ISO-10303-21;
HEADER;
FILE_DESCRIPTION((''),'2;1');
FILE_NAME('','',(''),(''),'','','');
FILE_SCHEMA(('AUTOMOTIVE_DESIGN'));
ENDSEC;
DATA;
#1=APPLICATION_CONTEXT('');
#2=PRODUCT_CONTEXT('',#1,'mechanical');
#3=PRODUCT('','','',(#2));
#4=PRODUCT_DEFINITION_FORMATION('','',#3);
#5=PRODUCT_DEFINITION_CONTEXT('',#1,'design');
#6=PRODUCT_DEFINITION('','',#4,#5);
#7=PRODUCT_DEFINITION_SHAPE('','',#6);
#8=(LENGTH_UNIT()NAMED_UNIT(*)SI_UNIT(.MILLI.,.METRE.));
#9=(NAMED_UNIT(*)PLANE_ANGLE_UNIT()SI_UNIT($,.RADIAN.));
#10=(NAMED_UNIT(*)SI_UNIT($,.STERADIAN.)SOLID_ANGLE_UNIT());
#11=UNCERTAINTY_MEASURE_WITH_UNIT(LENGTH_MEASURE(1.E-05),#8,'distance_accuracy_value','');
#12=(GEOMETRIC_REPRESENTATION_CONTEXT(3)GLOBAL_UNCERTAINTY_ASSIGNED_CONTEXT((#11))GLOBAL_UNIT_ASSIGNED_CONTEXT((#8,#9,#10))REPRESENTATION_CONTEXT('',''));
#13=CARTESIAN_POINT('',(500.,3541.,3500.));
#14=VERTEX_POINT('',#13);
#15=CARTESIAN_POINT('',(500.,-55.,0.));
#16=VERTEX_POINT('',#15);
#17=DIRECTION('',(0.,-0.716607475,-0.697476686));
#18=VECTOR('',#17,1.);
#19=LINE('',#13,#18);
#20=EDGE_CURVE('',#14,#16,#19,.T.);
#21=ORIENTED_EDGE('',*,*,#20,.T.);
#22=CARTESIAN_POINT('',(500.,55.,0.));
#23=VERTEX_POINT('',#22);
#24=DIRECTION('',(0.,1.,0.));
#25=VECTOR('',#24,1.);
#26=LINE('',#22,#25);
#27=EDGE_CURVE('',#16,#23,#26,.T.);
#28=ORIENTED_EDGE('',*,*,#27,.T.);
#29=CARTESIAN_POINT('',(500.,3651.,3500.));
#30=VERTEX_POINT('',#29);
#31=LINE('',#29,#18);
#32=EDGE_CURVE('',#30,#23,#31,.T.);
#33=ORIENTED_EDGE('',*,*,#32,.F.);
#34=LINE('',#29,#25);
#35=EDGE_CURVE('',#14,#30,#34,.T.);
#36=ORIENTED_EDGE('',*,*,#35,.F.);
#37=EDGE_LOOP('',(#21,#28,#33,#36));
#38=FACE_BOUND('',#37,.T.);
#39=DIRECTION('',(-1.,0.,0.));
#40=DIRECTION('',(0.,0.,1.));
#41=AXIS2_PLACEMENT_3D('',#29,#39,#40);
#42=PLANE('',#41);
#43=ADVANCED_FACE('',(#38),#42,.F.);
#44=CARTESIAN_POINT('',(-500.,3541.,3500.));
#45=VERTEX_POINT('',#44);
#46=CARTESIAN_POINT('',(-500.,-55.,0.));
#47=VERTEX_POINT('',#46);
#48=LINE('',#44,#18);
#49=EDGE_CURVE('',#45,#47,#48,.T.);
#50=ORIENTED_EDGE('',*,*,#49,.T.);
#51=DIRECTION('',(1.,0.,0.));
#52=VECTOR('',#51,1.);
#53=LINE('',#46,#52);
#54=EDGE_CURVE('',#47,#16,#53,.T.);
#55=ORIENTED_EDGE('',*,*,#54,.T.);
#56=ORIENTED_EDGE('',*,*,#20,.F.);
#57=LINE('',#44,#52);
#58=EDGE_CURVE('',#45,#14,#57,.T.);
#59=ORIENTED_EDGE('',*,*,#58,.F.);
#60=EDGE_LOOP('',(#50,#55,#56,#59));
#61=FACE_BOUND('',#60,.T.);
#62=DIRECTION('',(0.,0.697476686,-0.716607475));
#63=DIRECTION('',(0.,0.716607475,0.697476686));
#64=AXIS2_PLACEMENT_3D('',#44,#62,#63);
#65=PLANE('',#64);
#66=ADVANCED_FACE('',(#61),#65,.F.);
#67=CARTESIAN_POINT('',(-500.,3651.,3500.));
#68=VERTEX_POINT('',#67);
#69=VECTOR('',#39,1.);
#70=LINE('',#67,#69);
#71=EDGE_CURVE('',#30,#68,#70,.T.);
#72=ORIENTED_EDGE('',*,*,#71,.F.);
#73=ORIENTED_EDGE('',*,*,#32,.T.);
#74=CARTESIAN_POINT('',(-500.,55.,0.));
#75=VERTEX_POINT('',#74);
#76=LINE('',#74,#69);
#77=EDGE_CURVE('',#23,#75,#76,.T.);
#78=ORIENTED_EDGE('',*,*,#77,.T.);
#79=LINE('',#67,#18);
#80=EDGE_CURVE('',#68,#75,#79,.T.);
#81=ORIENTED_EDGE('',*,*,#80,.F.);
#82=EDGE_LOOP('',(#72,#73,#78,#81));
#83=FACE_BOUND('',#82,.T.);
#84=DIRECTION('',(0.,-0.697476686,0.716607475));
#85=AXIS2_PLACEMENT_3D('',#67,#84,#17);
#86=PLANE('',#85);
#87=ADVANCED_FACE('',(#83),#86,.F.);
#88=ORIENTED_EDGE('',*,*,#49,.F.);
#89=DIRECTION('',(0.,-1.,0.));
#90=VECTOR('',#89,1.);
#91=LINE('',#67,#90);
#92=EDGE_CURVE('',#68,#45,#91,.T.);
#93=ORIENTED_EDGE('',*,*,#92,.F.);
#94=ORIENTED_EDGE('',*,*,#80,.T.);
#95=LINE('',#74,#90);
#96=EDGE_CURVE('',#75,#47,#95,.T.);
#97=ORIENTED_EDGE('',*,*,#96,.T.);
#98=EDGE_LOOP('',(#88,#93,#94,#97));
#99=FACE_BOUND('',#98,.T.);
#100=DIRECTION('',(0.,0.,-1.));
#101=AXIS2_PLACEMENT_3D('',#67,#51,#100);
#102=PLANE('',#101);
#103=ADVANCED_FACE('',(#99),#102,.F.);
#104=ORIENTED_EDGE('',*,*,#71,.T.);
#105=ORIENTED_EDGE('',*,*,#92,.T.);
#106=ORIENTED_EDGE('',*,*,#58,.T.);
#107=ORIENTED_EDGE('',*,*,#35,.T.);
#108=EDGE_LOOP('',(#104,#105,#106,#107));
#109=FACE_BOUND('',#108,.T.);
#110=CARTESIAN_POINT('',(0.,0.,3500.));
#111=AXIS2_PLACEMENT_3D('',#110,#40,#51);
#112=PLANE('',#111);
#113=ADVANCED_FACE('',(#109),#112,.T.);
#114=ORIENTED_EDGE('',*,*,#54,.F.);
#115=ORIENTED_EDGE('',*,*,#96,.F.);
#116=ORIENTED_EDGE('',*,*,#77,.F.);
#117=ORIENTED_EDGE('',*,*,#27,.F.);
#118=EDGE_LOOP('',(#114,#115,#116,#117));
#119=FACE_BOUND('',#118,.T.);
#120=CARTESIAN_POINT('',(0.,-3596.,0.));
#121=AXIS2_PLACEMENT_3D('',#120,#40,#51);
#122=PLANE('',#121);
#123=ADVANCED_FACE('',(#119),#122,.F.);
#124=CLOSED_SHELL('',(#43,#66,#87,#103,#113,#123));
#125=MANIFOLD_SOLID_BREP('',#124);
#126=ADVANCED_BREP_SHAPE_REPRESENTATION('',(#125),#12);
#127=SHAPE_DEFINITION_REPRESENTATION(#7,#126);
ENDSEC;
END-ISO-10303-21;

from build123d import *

# Parameters (mm, degrees)
SKETCH9_W = 1000
SKETCH9_H = 110


with BuildPart() as part:
    # Sweep3: sweep along a path in Sketch7
    with BuildLine(Plane(origin=(0, 0, 0), x_dir=(0, 0, -1), z_dir=(1, 0, 0))) as sweep3_path:
        Line((-3500, 3541), (0, -55))
    # Sketch9 → Sweep3 (sweep)
    with BuildSketch(Plane.XY.offset(3500)):
        with Locations((0, 3596)):
            Rectangle(SKETCH9_W, SKETCH9_H)
    sweep(path=sweep3_path.line)


solid = part.part
